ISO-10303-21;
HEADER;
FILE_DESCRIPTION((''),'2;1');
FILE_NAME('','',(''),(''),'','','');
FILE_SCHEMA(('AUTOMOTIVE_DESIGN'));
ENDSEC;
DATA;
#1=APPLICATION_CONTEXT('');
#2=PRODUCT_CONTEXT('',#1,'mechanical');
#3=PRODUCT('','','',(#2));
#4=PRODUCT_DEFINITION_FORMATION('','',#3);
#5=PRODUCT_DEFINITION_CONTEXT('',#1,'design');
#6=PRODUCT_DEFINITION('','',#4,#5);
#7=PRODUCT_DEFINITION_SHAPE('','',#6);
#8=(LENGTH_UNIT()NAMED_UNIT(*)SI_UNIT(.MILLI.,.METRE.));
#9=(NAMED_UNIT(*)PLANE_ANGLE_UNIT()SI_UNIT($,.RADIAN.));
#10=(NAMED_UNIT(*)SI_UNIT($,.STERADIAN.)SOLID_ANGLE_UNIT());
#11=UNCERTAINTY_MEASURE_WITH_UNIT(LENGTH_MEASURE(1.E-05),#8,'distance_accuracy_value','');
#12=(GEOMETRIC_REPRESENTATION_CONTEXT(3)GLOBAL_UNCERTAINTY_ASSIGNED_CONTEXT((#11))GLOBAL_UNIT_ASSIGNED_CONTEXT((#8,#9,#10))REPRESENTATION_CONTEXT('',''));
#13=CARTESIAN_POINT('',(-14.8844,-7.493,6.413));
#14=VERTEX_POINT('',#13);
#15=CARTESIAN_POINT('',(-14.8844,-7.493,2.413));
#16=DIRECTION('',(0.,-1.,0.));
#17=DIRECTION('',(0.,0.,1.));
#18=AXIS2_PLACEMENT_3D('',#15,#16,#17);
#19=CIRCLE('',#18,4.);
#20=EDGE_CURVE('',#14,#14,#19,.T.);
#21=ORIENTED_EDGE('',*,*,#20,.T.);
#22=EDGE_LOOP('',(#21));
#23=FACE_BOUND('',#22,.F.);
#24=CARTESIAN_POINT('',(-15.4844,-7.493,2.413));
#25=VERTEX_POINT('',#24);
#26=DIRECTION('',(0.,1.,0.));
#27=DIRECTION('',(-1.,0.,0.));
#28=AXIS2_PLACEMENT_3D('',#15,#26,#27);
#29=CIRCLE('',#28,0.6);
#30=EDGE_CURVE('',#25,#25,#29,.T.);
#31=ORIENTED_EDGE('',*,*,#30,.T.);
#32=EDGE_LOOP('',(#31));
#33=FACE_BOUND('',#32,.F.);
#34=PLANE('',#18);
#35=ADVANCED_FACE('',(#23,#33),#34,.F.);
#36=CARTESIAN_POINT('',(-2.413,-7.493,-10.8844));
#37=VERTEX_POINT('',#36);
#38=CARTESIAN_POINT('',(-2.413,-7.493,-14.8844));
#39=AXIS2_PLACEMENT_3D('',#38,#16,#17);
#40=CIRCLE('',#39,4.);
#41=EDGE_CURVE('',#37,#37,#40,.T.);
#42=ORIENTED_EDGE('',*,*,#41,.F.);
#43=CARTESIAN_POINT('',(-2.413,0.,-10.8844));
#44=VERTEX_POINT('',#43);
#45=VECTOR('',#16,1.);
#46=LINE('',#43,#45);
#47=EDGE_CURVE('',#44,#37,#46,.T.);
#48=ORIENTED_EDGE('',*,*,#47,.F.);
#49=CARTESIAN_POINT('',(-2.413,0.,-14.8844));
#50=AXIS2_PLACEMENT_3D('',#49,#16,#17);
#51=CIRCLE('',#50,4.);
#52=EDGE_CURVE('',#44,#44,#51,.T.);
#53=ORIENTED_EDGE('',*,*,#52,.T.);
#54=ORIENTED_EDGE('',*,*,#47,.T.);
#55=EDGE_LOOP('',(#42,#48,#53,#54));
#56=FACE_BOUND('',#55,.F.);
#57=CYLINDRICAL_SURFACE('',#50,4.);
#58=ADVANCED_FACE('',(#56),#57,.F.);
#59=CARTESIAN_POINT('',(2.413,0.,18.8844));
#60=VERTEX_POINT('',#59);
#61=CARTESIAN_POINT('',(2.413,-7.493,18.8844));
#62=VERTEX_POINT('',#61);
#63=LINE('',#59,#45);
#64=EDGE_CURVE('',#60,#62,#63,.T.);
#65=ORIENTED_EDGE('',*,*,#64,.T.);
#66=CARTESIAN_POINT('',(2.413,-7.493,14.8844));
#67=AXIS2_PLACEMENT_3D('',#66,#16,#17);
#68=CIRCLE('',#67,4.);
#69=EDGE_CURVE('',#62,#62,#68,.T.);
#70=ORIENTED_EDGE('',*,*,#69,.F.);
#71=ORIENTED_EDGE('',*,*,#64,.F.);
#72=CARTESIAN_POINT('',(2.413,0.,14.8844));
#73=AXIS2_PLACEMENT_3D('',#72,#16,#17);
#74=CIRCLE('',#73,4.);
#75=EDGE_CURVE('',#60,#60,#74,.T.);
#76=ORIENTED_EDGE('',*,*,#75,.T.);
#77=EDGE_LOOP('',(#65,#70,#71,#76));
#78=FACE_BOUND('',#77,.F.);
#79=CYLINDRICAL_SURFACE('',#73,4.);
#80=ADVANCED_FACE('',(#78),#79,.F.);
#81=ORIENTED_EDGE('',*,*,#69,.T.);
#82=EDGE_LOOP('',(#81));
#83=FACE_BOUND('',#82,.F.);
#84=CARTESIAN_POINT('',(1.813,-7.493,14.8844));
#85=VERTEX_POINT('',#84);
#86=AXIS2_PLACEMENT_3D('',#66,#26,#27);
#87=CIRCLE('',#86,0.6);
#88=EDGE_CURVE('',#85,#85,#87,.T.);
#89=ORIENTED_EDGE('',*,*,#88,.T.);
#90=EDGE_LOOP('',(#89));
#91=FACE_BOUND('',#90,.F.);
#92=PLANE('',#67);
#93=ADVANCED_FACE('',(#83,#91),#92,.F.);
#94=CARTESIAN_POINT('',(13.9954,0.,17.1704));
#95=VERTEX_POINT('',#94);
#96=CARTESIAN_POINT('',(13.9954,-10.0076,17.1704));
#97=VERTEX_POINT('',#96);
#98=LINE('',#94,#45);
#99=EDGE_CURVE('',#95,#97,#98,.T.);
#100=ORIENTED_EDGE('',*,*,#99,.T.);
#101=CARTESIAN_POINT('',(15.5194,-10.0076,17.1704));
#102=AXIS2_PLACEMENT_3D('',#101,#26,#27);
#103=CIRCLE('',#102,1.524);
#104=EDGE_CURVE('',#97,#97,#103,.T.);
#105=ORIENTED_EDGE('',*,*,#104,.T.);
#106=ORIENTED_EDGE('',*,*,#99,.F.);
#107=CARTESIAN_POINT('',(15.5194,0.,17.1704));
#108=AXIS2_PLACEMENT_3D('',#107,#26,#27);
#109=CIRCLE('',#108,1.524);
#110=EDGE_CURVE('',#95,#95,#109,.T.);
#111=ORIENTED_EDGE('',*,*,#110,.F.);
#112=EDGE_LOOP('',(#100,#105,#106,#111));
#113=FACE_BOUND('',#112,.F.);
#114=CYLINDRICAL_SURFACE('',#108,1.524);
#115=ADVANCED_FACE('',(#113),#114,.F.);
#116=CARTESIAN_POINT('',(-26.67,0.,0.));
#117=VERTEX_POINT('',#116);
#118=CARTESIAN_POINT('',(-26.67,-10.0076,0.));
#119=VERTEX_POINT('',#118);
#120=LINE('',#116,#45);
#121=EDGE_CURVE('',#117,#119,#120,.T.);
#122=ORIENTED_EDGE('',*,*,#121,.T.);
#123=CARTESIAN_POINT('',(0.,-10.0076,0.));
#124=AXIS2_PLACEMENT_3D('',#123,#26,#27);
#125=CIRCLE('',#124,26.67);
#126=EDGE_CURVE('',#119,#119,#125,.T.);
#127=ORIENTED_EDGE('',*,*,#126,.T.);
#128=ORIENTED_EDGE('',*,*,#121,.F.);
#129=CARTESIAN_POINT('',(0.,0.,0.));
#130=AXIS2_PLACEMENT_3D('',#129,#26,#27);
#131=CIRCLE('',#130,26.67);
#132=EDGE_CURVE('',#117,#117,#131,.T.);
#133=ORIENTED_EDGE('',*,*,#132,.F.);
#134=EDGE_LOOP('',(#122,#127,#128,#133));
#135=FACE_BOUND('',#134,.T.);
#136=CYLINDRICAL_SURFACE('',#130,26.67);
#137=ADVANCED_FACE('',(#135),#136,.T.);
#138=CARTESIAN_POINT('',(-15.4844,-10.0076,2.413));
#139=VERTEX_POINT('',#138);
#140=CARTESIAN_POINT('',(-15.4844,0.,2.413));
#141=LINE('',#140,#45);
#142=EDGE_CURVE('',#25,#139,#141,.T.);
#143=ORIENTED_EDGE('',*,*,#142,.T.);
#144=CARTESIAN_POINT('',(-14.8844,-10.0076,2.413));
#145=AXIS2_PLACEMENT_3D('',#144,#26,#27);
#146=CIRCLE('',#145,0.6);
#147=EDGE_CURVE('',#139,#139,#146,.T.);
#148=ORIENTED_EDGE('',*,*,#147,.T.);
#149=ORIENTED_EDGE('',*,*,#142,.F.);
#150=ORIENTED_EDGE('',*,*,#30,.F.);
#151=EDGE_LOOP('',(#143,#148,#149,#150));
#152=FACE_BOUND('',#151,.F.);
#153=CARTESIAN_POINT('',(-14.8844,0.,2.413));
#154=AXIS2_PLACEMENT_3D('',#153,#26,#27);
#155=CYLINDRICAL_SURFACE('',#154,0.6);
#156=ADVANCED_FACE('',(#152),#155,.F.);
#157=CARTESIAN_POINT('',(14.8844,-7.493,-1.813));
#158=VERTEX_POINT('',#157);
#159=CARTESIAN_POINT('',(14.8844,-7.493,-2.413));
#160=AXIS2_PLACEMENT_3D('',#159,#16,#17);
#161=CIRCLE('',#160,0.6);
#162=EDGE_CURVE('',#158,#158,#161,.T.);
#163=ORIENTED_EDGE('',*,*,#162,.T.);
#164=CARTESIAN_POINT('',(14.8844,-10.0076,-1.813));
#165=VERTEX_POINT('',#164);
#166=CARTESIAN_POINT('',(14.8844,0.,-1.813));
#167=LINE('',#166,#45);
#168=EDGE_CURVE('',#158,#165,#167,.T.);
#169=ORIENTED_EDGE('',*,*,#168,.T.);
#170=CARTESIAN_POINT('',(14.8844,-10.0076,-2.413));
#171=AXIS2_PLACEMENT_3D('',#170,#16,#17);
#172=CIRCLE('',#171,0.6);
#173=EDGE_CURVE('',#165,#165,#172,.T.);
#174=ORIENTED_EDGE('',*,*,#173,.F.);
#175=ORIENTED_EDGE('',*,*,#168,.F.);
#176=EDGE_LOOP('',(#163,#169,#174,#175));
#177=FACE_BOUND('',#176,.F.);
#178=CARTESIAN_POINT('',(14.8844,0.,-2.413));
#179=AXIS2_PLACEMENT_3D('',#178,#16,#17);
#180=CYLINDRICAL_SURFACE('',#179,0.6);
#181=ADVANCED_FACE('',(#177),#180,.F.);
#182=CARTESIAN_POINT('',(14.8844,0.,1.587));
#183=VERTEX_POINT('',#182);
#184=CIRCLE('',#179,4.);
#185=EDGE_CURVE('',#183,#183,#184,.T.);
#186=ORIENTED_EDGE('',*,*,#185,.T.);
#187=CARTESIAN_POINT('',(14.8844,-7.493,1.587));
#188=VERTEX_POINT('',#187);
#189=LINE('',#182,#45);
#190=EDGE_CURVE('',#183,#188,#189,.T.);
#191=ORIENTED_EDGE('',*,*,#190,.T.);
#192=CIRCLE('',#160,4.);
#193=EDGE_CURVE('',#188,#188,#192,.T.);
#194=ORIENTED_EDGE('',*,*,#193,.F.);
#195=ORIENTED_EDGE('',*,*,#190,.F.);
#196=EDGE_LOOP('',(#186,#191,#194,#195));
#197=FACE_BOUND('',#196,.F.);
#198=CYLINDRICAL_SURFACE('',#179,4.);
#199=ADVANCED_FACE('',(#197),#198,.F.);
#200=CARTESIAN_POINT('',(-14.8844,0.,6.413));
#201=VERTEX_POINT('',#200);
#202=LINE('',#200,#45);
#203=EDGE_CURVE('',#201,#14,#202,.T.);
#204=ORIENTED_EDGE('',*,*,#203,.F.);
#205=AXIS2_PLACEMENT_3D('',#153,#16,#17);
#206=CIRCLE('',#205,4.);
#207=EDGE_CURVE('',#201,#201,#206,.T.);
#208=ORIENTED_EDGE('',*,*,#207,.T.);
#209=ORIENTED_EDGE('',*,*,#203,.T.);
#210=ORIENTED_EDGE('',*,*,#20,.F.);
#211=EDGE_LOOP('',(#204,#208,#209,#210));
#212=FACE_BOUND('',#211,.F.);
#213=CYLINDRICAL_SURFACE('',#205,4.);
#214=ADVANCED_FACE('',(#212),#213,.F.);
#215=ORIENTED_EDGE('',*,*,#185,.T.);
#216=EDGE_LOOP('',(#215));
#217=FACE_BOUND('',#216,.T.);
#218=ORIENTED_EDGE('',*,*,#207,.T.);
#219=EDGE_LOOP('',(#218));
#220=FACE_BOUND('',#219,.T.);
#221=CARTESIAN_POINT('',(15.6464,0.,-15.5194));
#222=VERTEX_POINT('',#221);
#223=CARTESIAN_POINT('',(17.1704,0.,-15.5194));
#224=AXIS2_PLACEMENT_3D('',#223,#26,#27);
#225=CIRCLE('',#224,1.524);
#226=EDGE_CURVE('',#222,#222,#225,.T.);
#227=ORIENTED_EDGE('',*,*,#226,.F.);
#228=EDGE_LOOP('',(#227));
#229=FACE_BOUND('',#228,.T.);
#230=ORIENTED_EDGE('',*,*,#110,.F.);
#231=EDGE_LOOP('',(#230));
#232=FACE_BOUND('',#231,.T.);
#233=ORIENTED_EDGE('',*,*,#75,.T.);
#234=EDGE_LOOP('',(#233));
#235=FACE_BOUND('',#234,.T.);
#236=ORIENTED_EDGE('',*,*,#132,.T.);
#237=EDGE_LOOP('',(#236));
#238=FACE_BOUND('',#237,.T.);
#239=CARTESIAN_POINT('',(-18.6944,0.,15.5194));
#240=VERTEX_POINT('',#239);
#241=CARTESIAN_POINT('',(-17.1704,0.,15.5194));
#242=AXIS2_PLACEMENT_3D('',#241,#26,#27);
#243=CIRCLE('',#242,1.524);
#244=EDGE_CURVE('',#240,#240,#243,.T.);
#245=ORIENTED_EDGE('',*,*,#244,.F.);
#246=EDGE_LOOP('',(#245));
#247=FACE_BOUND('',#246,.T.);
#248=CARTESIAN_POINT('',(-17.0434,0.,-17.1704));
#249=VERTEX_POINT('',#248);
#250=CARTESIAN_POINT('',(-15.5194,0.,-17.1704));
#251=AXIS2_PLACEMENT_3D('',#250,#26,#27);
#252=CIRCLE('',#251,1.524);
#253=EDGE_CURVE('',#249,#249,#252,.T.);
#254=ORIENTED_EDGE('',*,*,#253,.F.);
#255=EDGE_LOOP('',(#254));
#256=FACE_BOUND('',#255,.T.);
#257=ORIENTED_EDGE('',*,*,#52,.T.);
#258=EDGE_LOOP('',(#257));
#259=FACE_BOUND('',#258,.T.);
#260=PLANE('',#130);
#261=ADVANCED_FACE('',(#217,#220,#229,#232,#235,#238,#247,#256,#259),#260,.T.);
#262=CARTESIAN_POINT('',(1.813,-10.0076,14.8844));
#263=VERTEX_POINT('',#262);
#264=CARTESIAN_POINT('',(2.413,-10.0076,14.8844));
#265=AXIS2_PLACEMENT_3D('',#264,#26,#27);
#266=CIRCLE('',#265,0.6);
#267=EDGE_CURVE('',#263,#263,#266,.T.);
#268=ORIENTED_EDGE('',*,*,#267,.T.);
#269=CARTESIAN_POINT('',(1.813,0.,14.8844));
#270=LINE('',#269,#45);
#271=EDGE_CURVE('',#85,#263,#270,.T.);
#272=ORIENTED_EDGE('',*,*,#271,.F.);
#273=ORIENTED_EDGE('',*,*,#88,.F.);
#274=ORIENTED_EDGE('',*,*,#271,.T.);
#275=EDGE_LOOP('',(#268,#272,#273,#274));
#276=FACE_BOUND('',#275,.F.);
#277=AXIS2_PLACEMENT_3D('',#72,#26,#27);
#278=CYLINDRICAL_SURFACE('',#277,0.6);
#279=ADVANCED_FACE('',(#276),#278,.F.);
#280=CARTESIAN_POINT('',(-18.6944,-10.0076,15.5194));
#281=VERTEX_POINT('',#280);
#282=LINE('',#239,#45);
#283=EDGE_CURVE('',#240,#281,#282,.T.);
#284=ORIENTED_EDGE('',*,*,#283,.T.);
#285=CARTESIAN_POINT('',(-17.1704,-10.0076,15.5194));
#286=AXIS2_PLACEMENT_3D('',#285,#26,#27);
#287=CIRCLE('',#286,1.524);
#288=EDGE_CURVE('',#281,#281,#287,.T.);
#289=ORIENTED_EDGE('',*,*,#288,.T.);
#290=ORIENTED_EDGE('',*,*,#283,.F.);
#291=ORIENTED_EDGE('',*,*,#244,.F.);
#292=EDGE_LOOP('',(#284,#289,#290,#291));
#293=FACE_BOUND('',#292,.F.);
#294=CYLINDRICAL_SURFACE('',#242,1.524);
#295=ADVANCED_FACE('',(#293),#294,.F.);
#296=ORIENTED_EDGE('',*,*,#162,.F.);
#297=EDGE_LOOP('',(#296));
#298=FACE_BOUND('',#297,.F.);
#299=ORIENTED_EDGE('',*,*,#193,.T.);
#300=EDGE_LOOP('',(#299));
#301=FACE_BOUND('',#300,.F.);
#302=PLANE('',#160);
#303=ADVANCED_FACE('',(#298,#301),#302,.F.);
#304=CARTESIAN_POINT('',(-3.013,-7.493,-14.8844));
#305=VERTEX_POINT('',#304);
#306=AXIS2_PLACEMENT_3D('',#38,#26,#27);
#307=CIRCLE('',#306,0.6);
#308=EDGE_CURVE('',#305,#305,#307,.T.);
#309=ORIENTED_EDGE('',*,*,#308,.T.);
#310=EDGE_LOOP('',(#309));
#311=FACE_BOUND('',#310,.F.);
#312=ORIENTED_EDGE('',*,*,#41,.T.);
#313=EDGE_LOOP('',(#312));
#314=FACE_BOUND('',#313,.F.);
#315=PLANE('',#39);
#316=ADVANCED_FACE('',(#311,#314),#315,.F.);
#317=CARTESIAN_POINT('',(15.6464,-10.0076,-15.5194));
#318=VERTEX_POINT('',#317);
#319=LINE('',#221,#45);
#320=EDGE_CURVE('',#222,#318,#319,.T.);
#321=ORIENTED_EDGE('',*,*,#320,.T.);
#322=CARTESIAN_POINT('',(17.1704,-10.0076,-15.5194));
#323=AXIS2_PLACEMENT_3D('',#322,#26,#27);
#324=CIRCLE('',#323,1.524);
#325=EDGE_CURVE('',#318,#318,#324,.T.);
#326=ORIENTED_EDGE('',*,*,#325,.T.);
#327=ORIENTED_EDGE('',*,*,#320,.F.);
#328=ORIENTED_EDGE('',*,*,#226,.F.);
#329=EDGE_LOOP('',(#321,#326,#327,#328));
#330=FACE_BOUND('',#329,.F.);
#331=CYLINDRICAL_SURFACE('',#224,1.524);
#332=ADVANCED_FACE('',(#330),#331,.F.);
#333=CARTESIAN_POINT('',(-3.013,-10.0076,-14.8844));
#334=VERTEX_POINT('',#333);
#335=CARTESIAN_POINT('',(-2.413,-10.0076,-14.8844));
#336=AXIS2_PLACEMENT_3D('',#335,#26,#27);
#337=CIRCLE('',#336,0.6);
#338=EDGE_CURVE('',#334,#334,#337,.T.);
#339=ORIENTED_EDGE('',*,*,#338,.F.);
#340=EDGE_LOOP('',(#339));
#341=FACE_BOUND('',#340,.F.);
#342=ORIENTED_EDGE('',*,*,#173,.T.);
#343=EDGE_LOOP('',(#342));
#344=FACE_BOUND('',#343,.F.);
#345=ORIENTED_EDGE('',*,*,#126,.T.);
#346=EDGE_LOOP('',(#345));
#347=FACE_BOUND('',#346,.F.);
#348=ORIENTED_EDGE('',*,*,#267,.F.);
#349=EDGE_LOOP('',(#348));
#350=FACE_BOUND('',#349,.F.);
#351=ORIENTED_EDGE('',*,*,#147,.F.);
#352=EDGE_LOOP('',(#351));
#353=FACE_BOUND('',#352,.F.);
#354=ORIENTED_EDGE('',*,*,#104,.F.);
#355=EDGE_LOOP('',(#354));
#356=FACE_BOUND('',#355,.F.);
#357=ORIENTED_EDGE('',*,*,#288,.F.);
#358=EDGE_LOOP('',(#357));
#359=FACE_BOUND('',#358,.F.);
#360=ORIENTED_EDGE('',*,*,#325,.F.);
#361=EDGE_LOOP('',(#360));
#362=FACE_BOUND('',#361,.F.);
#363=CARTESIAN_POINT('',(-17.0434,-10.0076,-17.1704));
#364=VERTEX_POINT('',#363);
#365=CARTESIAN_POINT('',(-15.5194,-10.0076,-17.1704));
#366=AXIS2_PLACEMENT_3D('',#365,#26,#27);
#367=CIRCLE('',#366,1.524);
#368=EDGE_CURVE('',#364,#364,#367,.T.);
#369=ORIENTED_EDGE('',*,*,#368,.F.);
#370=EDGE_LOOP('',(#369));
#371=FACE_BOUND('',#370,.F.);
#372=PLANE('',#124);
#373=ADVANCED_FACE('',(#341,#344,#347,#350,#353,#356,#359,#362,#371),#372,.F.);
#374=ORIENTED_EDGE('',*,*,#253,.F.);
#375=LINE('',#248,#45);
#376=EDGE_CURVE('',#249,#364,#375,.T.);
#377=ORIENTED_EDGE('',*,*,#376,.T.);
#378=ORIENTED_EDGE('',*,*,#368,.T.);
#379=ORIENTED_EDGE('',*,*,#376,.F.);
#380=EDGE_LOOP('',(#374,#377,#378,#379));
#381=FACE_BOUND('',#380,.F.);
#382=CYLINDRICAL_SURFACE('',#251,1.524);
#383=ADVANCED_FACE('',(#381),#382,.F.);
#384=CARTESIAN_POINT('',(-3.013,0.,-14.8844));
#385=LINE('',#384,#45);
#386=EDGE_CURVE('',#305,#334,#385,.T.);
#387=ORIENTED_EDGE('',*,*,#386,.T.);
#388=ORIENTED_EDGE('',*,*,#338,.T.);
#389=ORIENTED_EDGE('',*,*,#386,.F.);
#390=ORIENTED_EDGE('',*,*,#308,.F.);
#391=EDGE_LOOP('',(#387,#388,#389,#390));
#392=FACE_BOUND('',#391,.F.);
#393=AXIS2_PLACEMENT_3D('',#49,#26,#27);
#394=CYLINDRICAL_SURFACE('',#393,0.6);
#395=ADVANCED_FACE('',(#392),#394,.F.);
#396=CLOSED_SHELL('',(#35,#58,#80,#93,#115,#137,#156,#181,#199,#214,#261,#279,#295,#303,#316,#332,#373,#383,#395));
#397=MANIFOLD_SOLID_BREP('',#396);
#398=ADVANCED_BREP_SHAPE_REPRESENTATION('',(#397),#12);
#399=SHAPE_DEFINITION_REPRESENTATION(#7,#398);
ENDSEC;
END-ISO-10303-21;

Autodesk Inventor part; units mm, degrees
ref_plane "YZ Plane" through (0, 0, 0) normal (1, 0, 0) x (0, 1, 0)
ref_plane "XZ Plane" through (0, 0, 0) normal (0, 1, 0) x (-1, 0, 0)
ref_plane "XY Plane" through (0, 0, 0) normal (0, 0, 1) x (1, 0, 0)
sketch "Sketch1" plane through (0, 0, 0) normal (0, 1, 0) x (-1, 0, 0)
  circle A0 centre (0, 0) radius 26.67
  circle A1 centre (2.413, -14.8844) radius 0.6
  circle A2 centre (2.413, -14.8844) radius 4.0005
  circle A3 centre (14.8844, 2.413) radius 4.0005
  circle A4 centre (14.8844, 2.413) radius 0.6
  circle A5 centre (-2.413, 14.8844) radius 4.0005
  circle A6 centre (-2.413, 14.8844) radius 0.6
  circle A7 centre (-14.8844, -2.413) radius 4.0005
  circle A8 centre (-14.8844, -2.413) radius 0.6
  circle A9 centre (15.5194, -17.1704) radius 1.524
  circle A10 centre (17.1704, 15.5194) radius 1.524
  circle A11 centre (-15.5194, 17.1704) radius 1.524
  circle A12 centre (-17.1704, -15.5194) radius 1.524
  dimension "d0" = 53.34
  dimension "d7" = 360
  dimension "d14" = 360
extrude "Extrusion1" add sketch "Sketch1" against normal blind 10.0076 contours A0 | A2 | A3 | A5 | A7 | A8
hole "Hole1" at (-14.8844, 0, 2.413) direction (0, -1, 0) diameter 8 depth 7.493
hole "Hole2" at (-2.413, 0, -14.8844) at (2.413, 0, 14.8844) at (14.8844, 0, -2.413) direction (0, -1, 0) diameter 8 depth 7.493
hole "Hole3" at (14.8844, 0, -2.413) direction (0, -1, 0) diameter 1.2 end through all
thread "Thread1" size "M3x0.5" class "6H" standard "ANSI Metric M Profile" length 10
thread "Thread2" size "M3x0.5" class "6H" standard "ANSI Metric M Profile" length 10
thread "Thread3" size "M3x0.5" class "6H" standard "ANSI Metric M Profile" length 10
thread "Thread4" size "M3x0.5" class "6H" standard "ANSI Metric M Profile" length 10
thread "Thread5" size "M8x1.25" class "6H" standard "ANSI Metric M Profile" length 10
thread "Thread6" size "M8x1.25" class "6H" standard "ANSI Metric M Profile" length 10
thread "Thread7" size "M8x1.25" class "6H" standard "ANSI Metric M Profile" length 10
thread "Thread8" size "M8x1.25" class "6H" standard "ANSI Metric M Profile" length 10
